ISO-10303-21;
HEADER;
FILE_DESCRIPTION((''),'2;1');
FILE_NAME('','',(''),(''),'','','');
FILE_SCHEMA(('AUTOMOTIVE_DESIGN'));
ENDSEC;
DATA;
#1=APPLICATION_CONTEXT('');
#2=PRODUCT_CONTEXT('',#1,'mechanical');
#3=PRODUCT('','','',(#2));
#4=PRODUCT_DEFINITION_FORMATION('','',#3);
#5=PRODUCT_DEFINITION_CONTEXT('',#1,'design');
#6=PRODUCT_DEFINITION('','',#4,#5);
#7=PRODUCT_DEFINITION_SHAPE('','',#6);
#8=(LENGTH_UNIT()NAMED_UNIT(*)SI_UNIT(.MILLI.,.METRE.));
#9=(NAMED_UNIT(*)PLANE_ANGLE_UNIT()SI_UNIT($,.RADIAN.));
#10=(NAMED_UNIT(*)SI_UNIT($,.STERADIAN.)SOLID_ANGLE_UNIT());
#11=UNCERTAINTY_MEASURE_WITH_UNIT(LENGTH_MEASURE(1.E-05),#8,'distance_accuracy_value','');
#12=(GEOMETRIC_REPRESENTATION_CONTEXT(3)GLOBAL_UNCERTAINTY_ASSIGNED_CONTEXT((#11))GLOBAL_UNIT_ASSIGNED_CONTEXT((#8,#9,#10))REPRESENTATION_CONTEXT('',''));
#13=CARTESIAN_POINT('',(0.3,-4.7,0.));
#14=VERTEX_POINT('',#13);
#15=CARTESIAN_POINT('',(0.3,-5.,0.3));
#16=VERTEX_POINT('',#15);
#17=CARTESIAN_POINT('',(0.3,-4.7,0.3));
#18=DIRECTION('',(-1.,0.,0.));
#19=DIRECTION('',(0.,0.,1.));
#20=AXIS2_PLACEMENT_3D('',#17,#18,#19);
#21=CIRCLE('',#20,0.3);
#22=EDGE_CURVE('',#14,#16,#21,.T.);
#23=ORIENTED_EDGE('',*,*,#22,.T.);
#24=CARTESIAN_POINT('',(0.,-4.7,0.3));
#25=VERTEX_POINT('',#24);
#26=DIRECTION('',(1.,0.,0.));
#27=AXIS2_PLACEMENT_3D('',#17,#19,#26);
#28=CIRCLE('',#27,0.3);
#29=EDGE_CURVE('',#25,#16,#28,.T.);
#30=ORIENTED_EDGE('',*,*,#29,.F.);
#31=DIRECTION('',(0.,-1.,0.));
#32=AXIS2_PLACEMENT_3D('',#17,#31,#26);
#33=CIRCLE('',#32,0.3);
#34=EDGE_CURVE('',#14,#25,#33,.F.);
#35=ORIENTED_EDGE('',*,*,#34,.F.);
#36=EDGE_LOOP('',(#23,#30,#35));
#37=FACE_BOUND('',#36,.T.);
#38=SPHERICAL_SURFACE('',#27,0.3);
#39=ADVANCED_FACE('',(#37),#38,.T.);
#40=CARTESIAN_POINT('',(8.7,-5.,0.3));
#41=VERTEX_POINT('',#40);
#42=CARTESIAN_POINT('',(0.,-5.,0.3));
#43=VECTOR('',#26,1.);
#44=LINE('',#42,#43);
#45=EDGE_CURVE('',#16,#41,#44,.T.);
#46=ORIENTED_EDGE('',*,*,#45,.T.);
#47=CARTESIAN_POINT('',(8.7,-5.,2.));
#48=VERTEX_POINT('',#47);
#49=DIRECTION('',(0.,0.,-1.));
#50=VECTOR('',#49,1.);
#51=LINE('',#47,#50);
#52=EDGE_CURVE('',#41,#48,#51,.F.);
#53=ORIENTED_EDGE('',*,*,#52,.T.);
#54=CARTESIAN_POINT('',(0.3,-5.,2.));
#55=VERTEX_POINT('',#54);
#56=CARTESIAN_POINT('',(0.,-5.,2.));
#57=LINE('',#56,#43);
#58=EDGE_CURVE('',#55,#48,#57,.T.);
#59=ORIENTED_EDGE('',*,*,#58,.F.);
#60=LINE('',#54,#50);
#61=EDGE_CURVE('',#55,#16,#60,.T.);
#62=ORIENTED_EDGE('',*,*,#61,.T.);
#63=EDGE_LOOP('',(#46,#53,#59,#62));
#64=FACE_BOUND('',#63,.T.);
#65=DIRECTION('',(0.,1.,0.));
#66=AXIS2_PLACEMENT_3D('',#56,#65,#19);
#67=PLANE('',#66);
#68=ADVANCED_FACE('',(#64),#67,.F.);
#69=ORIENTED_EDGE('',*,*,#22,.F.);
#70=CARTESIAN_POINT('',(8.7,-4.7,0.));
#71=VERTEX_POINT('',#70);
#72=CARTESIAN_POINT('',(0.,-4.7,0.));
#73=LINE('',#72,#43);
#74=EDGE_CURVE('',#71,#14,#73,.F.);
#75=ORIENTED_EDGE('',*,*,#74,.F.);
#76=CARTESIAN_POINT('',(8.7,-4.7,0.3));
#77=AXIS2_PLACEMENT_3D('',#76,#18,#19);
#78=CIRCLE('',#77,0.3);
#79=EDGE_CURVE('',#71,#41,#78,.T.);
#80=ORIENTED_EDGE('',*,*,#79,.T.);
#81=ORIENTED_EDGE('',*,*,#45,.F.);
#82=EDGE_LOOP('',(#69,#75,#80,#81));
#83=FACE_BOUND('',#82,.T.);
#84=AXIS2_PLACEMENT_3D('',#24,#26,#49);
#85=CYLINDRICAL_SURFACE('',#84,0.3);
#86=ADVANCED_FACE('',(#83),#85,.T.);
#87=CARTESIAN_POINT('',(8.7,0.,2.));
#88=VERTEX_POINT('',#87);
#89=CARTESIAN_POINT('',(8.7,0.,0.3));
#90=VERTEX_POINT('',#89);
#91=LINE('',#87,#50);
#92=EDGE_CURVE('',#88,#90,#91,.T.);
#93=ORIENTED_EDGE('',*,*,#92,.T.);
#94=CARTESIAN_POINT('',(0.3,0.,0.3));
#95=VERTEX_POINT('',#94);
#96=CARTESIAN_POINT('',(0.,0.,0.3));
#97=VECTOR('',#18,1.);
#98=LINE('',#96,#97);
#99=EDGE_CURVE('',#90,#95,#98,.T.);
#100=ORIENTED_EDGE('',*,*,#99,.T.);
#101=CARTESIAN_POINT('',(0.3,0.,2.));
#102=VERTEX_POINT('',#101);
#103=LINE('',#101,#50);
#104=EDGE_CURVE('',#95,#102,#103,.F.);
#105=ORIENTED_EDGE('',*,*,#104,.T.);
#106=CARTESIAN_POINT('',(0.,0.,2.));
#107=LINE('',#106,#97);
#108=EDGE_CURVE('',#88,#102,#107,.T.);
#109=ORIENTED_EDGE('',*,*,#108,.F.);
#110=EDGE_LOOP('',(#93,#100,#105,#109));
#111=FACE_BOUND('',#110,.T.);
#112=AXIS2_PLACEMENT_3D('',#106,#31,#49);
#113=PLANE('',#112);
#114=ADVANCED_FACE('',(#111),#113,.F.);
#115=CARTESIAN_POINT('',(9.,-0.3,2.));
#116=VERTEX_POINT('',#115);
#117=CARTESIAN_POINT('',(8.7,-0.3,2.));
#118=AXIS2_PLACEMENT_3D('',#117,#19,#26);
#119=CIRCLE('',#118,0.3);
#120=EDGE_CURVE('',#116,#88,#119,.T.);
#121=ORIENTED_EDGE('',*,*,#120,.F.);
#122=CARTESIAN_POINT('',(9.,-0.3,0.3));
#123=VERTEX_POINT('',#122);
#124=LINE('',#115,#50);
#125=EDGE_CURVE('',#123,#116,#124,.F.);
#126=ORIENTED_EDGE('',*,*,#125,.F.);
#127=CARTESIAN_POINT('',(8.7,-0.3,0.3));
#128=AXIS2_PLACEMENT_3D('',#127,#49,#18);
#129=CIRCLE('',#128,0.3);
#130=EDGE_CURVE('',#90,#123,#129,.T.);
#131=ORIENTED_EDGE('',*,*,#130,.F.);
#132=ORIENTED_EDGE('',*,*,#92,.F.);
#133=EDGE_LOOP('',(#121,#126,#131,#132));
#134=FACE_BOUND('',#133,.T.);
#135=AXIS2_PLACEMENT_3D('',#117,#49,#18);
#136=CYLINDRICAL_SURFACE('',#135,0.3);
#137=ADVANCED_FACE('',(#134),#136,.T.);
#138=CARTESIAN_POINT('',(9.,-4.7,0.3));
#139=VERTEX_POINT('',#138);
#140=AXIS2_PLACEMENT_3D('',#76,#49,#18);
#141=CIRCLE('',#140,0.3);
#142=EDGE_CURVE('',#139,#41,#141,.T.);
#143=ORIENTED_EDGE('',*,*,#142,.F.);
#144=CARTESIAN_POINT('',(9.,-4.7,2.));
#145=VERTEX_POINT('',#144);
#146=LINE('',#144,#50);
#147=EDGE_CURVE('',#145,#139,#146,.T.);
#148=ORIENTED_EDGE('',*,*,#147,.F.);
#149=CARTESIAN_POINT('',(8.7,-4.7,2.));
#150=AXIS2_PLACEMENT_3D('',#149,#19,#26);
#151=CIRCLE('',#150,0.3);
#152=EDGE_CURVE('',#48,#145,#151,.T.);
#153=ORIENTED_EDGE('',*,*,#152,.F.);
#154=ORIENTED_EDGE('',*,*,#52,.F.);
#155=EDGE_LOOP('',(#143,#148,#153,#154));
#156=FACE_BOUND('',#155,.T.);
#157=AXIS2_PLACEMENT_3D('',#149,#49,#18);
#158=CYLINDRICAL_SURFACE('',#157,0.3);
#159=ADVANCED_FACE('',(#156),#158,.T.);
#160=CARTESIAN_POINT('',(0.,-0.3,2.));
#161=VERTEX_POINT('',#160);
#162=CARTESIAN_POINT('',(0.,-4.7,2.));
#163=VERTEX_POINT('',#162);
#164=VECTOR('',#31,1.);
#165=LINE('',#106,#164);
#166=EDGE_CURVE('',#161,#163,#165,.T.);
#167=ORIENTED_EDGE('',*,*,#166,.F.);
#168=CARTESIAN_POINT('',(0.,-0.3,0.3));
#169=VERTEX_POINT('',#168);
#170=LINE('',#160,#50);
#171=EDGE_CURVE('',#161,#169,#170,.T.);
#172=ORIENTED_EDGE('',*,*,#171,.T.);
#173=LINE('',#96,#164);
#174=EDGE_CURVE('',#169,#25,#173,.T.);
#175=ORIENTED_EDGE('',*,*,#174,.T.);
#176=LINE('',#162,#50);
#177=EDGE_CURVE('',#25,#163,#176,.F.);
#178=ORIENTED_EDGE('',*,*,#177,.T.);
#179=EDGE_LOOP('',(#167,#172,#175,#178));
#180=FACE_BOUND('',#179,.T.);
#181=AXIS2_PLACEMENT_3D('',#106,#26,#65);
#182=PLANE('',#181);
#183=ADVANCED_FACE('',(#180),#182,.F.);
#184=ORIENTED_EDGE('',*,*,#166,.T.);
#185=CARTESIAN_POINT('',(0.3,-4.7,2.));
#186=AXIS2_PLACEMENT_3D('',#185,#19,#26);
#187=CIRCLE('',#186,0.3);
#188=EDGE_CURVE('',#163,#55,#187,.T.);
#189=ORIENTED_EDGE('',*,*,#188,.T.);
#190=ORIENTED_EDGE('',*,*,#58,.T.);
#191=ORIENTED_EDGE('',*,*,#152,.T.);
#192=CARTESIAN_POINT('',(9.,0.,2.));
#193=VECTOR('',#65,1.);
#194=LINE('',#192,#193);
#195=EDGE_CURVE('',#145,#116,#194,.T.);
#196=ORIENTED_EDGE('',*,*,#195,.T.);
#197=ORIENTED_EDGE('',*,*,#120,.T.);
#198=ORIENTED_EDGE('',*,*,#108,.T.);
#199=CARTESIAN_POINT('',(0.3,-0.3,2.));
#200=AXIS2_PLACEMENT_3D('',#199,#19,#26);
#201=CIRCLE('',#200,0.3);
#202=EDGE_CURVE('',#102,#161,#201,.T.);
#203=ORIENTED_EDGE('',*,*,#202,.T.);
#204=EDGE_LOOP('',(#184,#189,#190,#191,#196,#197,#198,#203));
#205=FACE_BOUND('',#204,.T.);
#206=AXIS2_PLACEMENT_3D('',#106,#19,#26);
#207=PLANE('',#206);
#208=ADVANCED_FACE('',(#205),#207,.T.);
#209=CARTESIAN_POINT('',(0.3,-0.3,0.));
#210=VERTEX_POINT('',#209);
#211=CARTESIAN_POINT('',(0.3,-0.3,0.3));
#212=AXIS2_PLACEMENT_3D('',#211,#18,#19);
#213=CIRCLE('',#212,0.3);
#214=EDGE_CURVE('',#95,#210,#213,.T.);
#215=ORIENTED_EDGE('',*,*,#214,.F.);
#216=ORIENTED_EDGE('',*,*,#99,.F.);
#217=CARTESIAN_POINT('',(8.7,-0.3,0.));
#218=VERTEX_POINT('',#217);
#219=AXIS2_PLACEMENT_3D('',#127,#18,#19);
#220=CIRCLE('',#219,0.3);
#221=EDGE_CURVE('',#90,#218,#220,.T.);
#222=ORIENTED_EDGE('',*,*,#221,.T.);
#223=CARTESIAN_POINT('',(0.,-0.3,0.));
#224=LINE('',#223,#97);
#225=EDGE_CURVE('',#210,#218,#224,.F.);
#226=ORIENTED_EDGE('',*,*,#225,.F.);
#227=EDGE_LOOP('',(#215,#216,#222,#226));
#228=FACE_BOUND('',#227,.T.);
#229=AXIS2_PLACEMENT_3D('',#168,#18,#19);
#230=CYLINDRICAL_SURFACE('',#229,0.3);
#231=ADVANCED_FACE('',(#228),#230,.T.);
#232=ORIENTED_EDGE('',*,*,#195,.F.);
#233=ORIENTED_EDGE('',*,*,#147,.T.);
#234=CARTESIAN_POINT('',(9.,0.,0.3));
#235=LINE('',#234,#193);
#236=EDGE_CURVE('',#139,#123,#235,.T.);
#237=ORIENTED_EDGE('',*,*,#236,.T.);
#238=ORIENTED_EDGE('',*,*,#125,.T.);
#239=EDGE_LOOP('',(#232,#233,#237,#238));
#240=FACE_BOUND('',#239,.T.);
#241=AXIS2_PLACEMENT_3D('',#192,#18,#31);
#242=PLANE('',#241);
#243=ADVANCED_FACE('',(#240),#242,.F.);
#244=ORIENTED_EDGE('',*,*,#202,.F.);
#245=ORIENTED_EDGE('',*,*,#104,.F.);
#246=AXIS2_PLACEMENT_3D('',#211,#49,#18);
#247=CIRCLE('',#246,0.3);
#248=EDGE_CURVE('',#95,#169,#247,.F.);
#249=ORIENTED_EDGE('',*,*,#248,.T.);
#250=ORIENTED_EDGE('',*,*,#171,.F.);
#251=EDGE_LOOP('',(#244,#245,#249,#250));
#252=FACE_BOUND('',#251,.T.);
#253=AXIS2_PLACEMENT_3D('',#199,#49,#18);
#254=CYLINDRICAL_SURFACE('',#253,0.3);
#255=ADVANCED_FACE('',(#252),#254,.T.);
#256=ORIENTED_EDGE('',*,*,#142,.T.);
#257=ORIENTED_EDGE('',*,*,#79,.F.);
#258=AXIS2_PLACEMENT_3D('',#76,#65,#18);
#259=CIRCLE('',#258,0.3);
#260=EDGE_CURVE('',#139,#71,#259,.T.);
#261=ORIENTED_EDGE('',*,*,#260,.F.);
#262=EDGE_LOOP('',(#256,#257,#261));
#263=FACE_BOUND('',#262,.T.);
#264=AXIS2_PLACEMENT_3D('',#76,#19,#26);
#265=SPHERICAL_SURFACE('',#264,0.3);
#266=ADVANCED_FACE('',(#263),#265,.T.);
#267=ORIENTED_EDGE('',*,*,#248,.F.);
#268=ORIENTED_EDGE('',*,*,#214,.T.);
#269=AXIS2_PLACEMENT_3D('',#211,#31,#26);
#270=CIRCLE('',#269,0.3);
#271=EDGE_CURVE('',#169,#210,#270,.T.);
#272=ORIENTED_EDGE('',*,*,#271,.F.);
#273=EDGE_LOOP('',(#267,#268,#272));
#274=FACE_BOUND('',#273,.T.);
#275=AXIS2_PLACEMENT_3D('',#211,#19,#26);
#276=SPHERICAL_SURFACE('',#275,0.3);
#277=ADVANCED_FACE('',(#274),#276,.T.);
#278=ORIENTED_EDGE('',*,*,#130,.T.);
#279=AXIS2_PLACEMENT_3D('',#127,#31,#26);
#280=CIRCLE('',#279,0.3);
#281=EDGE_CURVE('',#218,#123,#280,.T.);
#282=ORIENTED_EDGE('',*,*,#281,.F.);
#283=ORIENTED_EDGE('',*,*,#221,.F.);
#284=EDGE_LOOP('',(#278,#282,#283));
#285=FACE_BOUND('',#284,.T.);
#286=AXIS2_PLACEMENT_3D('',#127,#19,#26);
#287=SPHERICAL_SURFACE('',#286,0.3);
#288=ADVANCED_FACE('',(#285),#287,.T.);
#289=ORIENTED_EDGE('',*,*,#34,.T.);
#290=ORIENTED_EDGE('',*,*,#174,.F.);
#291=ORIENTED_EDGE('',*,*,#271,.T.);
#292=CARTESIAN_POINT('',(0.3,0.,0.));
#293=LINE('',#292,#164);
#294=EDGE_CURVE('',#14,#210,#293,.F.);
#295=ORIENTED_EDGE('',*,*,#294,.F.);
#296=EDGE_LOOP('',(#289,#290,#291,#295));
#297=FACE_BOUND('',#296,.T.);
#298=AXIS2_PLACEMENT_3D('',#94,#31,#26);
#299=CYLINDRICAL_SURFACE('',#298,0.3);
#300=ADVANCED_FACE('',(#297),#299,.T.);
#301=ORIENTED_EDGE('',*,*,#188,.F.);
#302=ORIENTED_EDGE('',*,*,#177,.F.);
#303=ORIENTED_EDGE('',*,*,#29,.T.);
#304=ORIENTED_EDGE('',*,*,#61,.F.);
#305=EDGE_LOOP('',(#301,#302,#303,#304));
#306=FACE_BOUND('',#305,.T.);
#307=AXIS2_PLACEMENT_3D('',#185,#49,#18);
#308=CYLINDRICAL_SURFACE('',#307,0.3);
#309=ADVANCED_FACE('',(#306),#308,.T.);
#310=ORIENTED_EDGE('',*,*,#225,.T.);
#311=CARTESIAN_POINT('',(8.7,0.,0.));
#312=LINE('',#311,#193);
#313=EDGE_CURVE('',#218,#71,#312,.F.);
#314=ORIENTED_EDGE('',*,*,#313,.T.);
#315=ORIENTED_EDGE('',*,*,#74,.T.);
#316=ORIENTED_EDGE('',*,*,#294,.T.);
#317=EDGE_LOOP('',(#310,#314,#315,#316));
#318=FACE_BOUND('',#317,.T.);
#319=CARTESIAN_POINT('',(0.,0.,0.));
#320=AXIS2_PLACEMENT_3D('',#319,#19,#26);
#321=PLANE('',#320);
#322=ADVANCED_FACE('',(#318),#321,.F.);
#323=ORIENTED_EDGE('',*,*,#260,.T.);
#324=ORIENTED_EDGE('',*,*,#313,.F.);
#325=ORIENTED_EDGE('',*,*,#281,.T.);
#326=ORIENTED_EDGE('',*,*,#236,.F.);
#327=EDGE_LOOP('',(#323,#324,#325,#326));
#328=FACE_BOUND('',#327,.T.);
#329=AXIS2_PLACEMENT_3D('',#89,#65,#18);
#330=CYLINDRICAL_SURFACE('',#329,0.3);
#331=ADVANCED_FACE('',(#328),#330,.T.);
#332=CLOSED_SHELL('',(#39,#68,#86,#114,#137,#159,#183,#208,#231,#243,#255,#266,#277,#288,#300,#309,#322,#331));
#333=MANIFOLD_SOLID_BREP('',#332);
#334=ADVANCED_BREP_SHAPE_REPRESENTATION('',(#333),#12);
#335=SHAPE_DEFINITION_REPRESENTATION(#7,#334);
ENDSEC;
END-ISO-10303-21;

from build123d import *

# Parameters (mm, degrees)
SKETCH1_W           = 9
SKETCH1_H           = 5
BOSS_EXTRUDE1_DEPTH = 2
FILLET7_R           = 0.3
FILLET8_R           = 0.3
FILLET9_R           = 0.3
FILLET10_R          = 0.3


with BuildPart() as part:
    # Sketch1 → Boss-Extrude1 (new body)
    with BuildSketch(Plane.XY):
        with Locations((4.5, -2.5)):
            Rectangle(SKETCH1_W, SKETCH1_H)
    extrude(amount=BOSS_EXTRUDE1_DEPTH)

    # Fillet7
    fillet7_edges = [part.edges().sort_by_distance(p)[0] for p in [
        (0, 0, 1),
    ]]
    fillet(fillet7_edges, radius=FILLET7_R)

    # Fillet8
    fillet8_edges = [part.edges().sort_by_distance(p)[0] for p in [
        (0, -2.65, 0),
        (0.087867966, -0.087867966, 0),
        (4.65, 0, 0),
    ]]
    fillet(fillet8_edges, radius=FILLET8_R)

    # Fillet9
    fillet9_edges = [part.edges().sort_by_distance(p)[0] for p in [
        (9, -0.087867966, 0.087867966),
        (9, -2.65, 0),
        (9, 0, 1.15),
    ]]
    fillet(fillet9_edges, radius=FILLET9_R)

    # Fillet10
    fillet10_edges = [part.edges().sort_by_distance(p)[0] for p in [
        (4.5, -5, 0),
        (0.087867966, -5, 0.087867966),
        (8.912132034, -5, 0.087867966),
        (9, -5, 1.15),
        (0, -5, 1.15),
    ]]
    fillet(fillet10_edges, radius=FILLET10_R)


solid = part.part
